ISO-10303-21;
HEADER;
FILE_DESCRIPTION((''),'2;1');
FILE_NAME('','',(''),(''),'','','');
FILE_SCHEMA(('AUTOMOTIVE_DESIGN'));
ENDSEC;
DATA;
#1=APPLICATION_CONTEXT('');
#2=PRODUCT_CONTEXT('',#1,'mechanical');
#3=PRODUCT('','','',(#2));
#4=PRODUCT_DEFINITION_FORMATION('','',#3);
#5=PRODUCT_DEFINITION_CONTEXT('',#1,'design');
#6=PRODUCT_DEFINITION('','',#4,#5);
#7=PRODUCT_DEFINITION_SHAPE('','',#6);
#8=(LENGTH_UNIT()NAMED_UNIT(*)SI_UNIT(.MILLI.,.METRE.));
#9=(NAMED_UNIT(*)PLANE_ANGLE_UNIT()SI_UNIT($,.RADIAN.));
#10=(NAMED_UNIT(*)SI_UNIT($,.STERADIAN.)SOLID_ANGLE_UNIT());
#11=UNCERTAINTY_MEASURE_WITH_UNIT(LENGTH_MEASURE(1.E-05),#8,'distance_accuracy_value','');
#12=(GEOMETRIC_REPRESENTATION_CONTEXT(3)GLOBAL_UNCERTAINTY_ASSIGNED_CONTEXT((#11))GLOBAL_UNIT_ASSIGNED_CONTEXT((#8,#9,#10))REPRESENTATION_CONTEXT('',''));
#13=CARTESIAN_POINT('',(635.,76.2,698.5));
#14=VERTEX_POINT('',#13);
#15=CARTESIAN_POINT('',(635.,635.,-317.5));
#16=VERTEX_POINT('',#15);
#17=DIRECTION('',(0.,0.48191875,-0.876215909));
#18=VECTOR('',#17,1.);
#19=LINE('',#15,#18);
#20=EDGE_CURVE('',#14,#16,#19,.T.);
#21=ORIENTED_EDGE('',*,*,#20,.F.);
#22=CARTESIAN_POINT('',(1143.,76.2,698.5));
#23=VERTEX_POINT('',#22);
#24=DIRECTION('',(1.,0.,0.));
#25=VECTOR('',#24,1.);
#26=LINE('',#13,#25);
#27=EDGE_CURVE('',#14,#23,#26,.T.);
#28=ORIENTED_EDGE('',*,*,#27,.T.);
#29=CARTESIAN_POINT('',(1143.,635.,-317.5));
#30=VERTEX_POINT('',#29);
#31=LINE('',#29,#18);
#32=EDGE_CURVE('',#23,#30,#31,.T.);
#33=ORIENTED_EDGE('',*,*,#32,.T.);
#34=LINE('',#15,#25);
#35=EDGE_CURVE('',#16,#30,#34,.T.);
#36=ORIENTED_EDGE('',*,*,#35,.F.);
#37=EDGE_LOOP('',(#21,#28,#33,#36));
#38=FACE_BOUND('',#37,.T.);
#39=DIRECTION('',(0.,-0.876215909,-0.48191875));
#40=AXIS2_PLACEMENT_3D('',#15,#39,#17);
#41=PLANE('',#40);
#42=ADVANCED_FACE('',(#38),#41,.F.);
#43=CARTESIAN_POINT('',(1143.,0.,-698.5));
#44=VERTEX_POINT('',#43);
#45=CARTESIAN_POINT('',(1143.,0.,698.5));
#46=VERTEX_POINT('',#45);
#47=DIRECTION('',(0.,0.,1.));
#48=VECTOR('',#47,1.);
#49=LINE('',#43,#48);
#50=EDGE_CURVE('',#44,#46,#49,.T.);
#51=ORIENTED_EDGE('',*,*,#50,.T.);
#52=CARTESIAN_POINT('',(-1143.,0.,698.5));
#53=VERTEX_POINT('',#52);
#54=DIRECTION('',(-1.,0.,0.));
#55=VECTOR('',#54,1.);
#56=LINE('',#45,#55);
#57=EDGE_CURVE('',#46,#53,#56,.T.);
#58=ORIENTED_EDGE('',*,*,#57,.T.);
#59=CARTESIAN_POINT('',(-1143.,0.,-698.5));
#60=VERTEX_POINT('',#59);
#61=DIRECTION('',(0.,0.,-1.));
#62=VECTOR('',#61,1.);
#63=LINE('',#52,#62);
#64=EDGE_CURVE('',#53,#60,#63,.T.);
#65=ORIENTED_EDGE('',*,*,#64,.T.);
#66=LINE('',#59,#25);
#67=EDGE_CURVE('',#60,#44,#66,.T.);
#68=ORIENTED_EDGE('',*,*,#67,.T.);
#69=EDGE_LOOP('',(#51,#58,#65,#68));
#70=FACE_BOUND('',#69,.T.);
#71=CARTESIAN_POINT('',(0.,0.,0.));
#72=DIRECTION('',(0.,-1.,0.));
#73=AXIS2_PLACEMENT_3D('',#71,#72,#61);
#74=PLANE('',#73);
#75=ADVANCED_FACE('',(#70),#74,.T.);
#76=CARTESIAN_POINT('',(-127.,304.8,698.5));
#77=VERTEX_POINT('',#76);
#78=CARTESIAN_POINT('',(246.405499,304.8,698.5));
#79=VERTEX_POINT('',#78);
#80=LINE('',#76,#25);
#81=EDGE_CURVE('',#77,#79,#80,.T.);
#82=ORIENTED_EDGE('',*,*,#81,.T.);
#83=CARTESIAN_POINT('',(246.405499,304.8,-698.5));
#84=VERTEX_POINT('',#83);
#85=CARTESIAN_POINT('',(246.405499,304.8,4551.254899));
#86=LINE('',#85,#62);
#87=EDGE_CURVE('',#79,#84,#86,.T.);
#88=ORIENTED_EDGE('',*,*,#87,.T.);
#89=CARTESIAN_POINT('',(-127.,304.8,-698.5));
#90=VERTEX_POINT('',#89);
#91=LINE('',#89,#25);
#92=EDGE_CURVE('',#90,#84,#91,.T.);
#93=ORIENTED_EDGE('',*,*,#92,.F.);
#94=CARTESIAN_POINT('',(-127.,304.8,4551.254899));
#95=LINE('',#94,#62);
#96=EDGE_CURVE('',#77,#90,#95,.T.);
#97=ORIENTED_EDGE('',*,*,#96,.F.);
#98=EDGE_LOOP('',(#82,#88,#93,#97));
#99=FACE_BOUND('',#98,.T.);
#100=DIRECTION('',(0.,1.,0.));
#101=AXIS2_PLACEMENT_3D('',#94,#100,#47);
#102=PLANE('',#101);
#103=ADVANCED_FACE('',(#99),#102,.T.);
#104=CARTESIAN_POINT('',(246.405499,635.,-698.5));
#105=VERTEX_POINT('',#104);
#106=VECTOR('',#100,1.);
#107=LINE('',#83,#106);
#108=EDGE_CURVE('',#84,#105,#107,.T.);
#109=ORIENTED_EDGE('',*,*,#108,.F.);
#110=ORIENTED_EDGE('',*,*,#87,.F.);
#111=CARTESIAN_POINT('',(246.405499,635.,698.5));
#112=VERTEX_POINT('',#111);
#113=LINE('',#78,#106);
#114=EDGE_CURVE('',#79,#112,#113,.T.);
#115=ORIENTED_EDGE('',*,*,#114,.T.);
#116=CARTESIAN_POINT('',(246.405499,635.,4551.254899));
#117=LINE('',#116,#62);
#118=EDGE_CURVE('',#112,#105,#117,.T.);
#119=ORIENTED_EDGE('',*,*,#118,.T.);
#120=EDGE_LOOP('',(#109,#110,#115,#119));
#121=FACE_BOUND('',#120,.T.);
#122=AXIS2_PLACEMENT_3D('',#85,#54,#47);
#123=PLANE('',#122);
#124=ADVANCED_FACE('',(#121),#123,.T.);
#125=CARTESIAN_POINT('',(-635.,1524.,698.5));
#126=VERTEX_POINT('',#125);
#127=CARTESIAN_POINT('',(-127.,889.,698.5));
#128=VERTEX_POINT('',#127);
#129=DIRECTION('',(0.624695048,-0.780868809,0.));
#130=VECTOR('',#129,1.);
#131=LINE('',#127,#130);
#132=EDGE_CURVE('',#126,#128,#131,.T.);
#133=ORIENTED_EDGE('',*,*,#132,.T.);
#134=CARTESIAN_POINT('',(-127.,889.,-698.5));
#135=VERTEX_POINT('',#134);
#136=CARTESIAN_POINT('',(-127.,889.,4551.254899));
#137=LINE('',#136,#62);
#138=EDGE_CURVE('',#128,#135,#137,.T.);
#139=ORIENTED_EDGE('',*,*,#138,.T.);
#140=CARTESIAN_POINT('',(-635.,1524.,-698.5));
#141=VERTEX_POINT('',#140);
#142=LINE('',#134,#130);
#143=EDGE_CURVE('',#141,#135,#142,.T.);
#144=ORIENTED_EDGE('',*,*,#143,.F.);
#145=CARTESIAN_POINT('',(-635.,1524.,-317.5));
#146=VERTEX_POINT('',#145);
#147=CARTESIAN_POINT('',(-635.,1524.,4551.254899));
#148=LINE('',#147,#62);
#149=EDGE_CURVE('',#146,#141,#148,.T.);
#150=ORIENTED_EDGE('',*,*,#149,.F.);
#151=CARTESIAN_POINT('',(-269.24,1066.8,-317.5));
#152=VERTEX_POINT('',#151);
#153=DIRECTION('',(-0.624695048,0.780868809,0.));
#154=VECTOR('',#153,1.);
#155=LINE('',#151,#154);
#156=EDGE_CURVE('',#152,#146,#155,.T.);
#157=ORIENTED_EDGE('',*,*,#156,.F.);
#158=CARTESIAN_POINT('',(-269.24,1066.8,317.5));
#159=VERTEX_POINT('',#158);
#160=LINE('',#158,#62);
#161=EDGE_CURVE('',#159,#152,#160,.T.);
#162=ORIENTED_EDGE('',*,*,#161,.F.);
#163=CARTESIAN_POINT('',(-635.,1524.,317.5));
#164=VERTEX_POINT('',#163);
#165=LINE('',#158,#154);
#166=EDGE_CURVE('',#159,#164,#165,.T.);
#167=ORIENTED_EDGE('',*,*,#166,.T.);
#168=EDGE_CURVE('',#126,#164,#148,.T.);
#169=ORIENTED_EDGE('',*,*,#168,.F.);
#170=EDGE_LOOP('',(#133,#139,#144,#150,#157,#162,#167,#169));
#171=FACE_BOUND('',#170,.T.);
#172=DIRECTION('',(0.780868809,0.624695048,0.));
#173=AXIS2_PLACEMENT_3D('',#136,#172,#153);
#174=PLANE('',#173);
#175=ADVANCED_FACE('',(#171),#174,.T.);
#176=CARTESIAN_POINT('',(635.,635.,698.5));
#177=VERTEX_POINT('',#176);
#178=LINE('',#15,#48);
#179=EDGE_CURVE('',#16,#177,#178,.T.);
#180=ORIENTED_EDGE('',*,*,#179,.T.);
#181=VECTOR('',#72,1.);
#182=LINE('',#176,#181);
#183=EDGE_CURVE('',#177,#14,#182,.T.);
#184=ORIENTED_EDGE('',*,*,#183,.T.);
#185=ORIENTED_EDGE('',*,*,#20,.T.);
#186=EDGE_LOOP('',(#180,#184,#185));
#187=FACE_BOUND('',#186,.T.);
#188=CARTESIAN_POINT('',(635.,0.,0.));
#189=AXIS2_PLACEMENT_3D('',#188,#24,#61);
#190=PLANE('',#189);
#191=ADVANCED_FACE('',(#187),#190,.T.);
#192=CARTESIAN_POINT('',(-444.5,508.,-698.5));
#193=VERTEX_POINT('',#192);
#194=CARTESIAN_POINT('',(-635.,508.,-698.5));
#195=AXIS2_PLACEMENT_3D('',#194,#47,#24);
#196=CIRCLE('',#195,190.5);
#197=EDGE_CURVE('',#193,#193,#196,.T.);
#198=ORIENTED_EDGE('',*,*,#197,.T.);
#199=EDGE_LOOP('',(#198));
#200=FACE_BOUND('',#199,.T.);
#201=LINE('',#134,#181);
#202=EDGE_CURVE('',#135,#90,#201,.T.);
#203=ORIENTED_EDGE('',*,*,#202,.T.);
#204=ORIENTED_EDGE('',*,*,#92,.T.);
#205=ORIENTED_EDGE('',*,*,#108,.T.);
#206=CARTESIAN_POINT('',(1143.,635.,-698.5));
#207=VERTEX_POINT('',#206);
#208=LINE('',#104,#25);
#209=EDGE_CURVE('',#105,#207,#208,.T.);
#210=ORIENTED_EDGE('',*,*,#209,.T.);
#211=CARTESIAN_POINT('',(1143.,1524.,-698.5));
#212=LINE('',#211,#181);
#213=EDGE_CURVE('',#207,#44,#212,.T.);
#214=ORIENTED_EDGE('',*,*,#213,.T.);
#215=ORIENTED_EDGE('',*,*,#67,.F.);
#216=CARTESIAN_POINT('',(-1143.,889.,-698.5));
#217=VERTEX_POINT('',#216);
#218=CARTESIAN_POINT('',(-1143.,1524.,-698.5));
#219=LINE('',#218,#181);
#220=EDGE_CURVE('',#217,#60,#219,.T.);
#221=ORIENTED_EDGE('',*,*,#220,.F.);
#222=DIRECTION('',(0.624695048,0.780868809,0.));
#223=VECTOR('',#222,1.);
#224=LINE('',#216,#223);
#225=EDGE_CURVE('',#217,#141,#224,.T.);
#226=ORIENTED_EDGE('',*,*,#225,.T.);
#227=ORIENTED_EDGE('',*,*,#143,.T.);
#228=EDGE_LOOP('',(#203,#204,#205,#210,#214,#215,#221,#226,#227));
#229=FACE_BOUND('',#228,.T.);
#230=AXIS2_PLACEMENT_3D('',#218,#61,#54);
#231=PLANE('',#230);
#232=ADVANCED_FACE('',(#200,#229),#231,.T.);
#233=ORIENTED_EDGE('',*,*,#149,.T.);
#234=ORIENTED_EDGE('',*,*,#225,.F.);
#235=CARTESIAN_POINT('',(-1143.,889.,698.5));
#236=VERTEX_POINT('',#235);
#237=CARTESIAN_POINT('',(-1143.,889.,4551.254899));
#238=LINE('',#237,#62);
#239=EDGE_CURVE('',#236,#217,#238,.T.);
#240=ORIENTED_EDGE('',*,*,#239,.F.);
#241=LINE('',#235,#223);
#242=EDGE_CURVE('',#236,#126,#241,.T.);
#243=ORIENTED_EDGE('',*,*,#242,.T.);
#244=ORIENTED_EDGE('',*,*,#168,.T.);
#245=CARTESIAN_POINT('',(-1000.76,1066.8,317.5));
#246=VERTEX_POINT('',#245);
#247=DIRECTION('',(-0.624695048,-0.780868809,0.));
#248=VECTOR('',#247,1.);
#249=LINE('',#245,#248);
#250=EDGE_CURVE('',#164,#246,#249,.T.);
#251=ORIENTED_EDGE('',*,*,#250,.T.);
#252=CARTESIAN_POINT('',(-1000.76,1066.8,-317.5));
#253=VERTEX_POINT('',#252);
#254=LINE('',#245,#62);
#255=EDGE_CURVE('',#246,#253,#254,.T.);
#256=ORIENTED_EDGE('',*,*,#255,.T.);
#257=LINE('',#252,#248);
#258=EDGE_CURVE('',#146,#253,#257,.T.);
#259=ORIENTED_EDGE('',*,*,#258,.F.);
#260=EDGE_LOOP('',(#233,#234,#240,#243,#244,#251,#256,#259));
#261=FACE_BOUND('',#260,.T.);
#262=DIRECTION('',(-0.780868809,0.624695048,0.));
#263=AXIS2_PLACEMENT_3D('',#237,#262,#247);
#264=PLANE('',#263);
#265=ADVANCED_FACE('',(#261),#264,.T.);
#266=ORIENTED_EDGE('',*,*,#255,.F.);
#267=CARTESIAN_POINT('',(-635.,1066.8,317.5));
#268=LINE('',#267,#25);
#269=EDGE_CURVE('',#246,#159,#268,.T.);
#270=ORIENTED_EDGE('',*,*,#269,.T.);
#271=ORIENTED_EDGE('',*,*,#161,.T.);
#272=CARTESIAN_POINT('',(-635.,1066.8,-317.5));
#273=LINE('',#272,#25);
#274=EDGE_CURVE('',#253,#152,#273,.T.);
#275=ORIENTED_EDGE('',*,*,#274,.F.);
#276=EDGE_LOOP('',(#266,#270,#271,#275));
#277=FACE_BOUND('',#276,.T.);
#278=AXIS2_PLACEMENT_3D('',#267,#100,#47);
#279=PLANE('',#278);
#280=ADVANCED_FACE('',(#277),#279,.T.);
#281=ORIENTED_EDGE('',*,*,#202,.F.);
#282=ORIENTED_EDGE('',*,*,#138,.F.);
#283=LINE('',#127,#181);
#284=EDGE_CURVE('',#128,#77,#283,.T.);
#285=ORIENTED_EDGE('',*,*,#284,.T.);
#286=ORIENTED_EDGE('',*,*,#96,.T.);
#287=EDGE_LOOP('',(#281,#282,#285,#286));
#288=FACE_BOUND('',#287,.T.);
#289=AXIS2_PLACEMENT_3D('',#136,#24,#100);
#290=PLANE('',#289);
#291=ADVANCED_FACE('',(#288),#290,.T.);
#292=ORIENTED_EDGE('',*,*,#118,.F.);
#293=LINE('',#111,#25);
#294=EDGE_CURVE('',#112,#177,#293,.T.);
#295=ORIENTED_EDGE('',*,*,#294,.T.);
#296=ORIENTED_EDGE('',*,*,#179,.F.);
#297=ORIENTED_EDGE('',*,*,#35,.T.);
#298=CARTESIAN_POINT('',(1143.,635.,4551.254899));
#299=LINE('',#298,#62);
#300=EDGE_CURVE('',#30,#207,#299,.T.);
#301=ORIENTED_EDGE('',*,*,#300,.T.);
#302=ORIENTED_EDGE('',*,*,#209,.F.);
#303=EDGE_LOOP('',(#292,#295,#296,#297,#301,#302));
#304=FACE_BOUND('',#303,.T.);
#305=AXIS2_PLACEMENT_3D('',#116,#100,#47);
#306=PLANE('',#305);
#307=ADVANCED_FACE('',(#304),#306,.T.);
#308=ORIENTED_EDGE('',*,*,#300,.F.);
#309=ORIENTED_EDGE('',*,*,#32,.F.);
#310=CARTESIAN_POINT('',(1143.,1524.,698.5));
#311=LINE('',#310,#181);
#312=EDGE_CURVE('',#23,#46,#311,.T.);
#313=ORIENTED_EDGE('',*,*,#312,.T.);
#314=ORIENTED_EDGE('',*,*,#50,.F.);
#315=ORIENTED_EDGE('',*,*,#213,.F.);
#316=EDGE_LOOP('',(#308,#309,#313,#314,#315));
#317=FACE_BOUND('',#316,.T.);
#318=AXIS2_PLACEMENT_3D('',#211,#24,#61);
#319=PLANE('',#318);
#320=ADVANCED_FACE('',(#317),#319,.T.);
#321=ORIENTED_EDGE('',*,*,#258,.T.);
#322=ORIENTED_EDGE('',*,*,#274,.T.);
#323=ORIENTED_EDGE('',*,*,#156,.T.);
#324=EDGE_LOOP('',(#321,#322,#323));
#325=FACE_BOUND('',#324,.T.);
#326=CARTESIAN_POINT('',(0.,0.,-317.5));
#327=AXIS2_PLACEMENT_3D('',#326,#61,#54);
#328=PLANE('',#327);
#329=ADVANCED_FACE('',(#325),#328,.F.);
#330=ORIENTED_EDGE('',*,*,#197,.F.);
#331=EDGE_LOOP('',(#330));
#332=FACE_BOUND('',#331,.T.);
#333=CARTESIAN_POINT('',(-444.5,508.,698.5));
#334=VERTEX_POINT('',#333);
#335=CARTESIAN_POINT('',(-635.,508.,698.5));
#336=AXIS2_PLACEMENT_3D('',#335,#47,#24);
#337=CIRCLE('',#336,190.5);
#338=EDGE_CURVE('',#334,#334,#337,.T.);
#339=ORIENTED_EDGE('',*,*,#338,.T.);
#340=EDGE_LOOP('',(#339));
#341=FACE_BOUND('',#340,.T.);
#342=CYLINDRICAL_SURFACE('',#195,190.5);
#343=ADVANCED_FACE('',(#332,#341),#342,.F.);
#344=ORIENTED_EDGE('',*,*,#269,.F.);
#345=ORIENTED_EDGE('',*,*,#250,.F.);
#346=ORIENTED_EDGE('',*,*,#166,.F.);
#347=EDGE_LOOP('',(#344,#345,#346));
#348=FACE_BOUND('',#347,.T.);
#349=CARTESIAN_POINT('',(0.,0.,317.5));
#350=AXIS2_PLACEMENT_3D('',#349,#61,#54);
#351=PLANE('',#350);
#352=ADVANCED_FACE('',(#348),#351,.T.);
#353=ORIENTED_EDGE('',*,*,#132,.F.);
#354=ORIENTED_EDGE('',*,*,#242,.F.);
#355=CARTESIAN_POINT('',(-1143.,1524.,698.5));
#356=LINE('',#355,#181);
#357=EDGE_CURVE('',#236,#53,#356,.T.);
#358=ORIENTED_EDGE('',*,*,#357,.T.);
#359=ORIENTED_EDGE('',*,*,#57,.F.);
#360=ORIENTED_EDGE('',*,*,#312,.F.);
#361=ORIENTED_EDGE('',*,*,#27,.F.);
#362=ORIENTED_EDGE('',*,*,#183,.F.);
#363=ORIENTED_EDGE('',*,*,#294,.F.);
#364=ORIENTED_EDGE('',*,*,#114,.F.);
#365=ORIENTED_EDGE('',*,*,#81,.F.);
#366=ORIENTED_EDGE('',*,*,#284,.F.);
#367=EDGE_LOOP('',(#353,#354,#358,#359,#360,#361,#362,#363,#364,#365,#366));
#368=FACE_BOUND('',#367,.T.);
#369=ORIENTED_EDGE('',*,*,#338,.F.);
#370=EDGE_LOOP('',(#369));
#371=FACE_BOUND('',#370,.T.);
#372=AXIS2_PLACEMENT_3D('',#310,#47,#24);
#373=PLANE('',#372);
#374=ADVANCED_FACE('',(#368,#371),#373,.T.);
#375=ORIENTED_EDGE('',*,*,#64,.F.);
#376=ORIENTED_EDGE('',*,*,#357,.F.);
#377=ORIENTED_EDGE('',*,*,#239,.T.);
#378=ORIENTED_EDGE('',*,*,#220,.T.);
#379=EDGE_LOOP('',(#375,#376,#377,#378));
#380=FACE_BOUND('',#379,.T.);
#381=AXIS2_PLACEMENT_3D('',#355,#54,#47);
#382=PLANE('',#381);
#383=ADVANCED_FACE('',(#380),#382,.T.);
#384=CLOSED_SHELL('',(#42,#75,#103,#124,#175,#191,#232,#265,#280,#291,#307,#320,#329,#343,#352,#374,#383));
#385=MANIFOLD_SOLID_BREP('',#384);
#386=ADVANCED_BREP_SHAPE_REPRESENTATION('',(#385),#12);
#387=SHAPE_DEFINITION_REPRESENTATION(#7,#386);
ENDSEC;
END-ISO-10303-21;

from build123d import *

# Parameters (mm, degrees)
SKETCH1_W               = 2286
SKETCH1_H               = 1397
BOSS_EXTRUDE1_DEPTH     = 1524
CUT_EXTRUDE7_DEPTH      = 1
CUT_EXTRUDE7_DEPTH_BACK = 1397
SKETCH3_R               = 190.5
CUT_EXTRUDE8_DEPTH      = 1398
CUT_EXTRUDE9_DEPTH      = 317.5
CUT_EXTRUDE9_DEPTH_BACK = 317.5
CUT_EXTRUDE10_DEPTH     = 508


with BuildPart() as part:
    # Sketch1 → Boss-Extrude1 (new body)
    with BuildSketch(Plane(origin=(0, 0, 0), x_dir=(1, 0, 0), z_dir=(0, 1, 0))):
        Rectangle(SKETCH1_W, SKETCH1_H)
    extrude(amount=BOSS_EXTRUDE1_DEPTH)

    # Sketch2 → Cut-Extrude7 (cut, two sides)
    with BuildSketch(Plane.XY.offset(698.5)) as cut_extrude7_sk:
        Polygon((-4213.722746177, -2949.403432721), (-1143, 889), (-635, 1524), (-127, 889), (-127, 304.8), (246.405498816, 304.8), (246.405498816, 635), (1143, 635), (6058.55481062, 635), (2819.614537591, 9917.240154866), (-7452.663019206, 6332.836722145), align=None)
    extrude(amount=CUT_EXTRUDE7_DEPTH, mode=Mode.SUBTRACT)
    extrude(cut_extrude7_sk.sketch, amount=-CUT_EXTRUDE7_DEPTH_BACK, mode=Mode.SUBTRACT)

    # Sketch3 → Cut-Extrude8 (cut, through all)
    with BuildSketch(Plane.XY.offset(698.5)):
        with Locations((-635, 508)):
            Circle(SKETCH3_R)
    extrude(amount=-CUT_EXTRUDE8_DEPTH, mode=Mode.SUBTRACT)

    # Sketch8 → Cut-Extrude9 (cut, two sides)
    with BuildSketch(Plane.XY) as cut_extrude9_sk:
        Polygon((-635, 1066.8), (-1000.76, 1066.8), (-635, 1524), (-269.24, 1066.8), align=None)
    extrude(amount=CUT_EXTRUDE9_DEPTH, mode=Mode.SUBTRACT)
    extrude(cut_extrude9_sk.sketch, amount=-CUT_EXTRUDE9_DEPTH_BACK, mode=Mode.SUBTRACT)

    # Sketch9 → Cut-Extrude10 (cut)
    with BuildSketch(Plane(origin=(1143, 0, 0), x_dir=(0, 0, -1), z_dir=(1, 0, 0))):
        Polygon((317.5, 635), (-698.5, 76.2), (-698.5, 635), align=None)
    extrude(amount=-CUT_EXTRUDE10_DEPTH, mode=Mode.SUBTRACT)


solid = part.part
